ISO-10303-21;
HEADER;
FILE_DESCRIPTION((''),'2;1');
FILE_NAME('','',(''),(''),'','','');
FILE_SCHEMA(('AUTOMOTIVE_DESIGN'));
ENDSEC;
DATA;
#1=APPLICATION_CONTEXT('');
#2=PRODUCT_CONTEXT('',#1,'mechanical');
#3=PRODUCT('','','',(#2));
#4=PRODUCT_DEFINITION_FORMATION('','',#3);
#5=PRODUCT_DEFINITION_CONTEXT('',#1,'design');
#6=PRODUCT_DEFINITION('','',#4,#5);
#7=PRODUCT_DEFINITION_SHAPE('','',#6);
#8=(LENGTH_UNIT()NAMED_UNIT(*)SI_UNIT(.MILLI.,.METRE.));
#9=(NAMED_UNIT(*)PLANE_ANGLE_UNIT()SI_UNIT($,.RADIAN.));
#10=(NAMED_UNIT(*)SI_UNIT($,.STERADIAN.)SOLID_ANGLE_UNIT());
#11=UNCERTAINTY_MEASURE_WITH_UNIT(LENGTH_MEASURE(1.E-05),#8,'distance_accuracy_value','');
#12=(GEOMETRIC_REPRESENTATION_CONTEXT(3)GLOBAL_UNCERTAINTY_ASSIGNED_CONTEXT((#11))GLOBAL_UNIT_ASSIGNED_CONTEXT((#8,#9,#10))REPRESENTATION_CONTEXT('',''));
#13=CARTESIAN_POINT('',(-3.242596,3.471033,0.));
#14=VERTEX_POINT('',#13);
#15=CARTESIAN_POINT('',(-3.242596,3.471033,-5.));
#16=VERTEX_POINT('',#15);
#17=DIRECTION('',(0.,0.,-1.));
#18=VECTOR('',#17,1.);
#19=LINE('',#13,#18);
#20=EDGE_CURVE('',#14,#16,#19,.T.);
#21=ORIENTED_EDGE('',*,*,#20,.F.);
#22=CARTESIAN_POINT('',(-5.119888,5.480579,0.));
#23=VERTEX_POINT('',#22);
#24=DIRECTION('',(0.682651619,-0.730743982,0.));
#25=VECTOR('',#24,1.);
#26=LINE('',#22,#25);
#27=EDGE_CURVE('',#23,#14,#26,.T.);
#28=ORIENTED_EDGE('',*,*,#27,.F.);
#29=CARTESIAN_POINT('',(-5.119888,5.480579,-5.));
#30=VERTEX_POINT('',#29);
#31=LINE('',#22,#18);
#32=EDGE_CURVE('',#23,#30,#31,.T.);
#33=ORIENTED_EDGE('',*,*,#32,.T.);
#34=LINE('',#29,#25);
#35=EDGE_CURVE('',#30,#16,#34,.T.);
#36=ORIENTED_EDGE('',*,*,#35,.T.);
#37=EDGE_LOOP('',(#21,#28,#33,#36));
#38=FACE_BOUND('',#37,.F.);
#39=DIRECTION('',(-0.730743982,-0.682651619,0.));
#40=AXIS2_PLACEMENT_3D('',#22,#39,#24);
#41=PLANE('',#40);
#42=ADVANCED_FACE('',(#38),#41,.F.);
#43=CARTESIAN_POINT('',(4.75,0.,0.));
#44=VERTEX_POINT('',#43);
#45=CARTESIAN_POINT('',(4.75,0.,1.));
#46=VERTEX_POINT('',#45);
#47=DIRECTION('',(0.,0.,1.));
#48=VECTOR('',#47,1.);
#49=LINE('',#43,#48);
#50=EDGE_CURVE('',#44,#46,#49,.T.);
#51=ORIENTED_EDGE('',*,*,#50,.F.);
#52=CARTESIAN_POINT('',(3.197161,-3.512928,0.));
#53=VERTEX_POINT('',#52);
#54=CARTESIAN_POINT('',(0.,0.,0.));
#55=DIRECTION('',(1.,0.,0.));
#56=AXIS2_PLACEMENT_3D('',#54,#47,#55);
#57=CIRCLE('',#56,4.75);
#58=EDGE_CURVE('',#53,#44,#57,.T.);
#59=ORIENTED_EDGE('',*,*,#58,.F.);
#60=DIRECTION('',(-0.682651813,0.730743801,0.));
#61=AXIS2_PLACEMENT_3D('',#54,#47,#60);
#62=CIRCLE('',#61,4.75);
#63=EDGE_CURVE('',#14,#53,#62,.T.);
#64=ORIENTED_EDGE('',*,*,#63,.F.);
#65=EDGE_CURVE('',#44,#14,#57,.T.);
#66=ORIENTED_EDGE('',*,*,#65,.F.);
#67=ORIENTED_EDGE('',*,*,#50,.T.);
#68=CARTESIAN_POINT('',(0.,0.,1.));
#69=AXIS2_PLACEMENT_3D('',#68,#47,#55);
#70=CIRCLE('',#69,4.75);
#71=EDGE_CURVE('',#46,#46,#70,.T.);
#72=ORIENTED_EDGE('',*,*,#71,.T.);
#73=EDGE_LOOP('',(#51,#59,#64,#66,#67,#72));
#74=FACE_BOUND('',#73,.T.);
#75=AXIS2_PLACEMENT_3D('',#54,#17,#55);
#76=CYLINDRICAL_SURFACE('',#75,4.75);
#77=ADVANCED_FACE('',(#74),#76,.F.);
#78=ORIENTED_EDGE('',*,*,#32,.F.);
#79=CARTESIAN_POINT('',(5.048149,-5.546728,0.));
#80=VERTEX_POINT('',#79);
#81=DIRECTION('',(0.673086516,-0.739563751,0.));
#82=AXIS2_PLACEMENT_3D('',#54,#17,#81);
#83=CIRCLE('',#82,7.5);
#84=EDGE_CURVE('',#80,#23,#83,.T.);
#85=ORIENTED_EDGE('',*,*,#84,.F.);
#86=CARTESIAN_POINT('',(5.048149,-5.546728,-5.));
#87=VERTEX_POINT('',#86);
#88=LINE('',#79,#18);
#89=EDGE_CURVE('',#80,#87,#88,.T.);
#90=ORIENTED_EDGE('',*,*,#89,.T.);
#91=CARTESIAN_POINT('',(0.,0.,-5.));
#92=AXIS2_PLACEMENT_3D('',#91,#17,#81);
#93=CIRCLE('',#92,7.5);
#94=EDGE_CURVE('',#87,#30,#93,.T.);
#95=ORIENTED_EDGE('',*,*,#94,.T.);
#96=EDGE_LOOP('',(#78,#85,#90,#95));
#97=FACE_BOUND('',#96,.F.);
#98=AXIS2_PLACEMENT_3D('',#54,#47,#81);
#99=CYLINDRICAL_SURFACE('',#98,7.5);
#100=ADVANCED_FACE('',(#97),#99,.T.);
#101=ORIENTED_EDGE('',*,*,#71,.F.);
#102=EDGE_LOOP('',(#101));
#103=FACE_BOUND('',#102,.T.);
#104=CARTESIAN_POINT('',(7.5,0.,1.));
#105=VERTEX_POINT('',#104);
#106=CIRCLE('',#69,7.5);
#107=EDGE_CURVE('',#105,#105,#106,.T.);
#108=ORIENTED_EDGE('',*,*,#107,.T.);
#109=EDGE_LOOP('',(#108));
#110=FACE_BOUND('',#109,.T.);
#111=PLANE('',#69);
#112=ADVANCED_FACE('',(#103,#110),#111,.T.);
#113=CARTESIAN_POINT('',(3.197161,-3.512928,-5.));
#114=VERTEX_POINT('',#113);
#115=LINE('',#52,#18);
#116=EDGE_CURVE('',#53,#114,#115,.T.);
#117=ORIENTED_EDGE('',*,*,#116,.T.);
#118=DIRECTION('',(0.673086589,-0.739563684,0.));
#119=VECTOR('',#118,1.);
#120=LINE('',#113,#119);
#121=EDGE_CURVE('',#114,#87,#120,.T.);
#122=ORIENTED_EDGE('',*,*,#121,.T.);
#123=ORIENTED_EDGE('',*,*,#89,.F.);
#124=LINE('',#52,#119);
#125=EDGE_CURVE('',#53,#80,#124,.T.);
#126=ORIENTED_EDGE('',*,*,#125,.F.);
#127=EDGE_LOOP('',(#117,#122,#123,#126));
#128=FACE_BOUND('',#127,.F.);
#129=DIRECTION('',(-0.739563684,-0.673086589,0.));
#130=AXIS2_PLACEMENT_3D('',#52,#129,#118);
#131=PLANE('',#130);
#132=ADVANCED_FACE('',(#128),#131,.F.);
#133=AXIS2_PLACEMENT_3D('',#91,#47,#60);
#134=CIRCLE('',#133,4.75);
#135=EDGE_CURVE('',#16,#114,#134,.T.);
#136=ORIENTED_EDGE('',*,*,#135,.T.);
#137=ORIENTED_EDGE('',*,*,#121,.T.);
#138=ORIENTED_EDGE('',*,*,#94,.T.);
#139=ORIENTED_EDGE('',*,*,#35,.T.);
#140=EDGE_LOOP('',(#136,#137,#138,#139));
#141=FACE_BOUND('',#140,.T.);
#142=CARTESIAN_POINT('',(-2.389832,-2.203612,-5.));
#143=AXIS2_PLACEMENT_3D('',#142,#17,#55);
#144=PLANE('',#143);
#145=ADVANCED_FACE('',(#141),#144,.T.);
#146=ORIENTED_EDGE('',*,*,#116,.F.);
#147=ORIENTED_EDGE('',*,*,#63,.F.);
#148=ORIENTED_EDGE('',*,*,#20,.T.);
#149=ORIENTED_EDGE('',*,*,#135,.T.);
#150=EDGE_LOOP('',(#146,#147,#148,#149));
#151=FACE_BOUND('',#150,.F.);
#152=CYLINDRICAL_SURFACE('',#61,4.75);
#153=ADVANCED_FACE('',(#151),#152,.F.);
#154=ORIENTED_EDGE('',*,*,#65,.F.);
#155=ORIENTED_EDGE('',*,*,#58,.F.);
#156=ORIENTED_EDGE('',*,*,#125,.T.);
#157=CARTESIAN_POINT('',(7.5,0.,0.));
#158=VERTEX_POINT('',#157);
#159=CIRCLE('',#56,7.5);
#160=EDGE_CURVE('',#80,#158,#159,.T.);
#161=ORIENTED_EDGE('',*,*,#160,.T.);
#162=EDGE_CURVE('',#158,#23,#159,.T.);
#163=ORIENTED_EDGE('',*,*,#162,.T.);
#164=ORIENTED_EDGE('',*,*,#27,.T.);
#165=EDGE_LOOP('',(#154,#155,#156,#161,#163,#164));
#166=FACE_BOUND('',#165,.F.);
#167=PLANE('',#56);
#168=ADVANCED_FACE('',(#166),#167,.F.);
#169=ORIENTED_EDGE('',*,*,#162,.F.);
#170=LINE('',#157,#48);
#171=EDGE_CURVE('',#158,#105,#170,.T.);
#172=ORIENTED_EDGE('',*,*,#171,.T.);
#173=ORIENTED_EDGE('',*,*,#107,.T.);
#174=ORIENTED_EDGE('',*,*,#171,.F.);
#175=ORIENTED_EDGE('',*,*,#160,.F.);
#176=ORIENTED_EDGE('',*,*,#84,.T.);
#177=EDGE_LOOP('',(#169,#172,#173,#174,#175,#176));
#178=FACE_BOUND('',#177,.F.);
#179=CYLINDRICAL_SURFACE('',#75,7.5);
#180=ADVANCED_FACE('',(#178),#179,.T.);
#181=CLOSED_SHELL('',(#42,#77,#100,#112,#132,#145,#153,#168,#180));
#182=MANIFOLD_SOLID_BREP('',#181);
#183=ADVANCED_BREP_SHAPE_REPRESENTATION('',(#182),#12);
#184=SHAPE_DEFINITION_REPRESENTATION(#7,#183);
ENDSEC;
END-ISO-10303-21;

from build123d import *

# Parameters (mm, degrees)
F0_R     = 7.5
F0_R_2   = 4.75
F1_DEPTH = 1
F3_DEPTH = 5


with BuildPart() as f1:
    # F0 (on Top) → F1 (new body)
    with BuildSketch(Plane.XY):
        Circle(F0_R)
        Circle(F0_R_2, mode=Mode.SUBTRACT)
    extrude(amount=F1_DEPTH)

    # F2 (on face) → F3 (join)
    with BuildSketch(Plane(origin=(0, 0, 0), x_dir=(1, 0, 0), z_dir=(0, 0, -1))):
        with BuildLine():
            Line((3.197161, 3.512928), (5.048149, 5.546728))
            ThreePointArc((5.048149, 5.546728), (-5.51377, 5.084126), (-5.119888, -5.480579))
            Line((-5.119888, -5.480579), (-3.242596, -3.471033))
            ThreePointArc((-3.242596, -3.471033), (-3.492054, 3.219947), (3.197161, 3.512928))
        make_face()
    extrude(amount=F3_DEPTH)


solid = f1.part
